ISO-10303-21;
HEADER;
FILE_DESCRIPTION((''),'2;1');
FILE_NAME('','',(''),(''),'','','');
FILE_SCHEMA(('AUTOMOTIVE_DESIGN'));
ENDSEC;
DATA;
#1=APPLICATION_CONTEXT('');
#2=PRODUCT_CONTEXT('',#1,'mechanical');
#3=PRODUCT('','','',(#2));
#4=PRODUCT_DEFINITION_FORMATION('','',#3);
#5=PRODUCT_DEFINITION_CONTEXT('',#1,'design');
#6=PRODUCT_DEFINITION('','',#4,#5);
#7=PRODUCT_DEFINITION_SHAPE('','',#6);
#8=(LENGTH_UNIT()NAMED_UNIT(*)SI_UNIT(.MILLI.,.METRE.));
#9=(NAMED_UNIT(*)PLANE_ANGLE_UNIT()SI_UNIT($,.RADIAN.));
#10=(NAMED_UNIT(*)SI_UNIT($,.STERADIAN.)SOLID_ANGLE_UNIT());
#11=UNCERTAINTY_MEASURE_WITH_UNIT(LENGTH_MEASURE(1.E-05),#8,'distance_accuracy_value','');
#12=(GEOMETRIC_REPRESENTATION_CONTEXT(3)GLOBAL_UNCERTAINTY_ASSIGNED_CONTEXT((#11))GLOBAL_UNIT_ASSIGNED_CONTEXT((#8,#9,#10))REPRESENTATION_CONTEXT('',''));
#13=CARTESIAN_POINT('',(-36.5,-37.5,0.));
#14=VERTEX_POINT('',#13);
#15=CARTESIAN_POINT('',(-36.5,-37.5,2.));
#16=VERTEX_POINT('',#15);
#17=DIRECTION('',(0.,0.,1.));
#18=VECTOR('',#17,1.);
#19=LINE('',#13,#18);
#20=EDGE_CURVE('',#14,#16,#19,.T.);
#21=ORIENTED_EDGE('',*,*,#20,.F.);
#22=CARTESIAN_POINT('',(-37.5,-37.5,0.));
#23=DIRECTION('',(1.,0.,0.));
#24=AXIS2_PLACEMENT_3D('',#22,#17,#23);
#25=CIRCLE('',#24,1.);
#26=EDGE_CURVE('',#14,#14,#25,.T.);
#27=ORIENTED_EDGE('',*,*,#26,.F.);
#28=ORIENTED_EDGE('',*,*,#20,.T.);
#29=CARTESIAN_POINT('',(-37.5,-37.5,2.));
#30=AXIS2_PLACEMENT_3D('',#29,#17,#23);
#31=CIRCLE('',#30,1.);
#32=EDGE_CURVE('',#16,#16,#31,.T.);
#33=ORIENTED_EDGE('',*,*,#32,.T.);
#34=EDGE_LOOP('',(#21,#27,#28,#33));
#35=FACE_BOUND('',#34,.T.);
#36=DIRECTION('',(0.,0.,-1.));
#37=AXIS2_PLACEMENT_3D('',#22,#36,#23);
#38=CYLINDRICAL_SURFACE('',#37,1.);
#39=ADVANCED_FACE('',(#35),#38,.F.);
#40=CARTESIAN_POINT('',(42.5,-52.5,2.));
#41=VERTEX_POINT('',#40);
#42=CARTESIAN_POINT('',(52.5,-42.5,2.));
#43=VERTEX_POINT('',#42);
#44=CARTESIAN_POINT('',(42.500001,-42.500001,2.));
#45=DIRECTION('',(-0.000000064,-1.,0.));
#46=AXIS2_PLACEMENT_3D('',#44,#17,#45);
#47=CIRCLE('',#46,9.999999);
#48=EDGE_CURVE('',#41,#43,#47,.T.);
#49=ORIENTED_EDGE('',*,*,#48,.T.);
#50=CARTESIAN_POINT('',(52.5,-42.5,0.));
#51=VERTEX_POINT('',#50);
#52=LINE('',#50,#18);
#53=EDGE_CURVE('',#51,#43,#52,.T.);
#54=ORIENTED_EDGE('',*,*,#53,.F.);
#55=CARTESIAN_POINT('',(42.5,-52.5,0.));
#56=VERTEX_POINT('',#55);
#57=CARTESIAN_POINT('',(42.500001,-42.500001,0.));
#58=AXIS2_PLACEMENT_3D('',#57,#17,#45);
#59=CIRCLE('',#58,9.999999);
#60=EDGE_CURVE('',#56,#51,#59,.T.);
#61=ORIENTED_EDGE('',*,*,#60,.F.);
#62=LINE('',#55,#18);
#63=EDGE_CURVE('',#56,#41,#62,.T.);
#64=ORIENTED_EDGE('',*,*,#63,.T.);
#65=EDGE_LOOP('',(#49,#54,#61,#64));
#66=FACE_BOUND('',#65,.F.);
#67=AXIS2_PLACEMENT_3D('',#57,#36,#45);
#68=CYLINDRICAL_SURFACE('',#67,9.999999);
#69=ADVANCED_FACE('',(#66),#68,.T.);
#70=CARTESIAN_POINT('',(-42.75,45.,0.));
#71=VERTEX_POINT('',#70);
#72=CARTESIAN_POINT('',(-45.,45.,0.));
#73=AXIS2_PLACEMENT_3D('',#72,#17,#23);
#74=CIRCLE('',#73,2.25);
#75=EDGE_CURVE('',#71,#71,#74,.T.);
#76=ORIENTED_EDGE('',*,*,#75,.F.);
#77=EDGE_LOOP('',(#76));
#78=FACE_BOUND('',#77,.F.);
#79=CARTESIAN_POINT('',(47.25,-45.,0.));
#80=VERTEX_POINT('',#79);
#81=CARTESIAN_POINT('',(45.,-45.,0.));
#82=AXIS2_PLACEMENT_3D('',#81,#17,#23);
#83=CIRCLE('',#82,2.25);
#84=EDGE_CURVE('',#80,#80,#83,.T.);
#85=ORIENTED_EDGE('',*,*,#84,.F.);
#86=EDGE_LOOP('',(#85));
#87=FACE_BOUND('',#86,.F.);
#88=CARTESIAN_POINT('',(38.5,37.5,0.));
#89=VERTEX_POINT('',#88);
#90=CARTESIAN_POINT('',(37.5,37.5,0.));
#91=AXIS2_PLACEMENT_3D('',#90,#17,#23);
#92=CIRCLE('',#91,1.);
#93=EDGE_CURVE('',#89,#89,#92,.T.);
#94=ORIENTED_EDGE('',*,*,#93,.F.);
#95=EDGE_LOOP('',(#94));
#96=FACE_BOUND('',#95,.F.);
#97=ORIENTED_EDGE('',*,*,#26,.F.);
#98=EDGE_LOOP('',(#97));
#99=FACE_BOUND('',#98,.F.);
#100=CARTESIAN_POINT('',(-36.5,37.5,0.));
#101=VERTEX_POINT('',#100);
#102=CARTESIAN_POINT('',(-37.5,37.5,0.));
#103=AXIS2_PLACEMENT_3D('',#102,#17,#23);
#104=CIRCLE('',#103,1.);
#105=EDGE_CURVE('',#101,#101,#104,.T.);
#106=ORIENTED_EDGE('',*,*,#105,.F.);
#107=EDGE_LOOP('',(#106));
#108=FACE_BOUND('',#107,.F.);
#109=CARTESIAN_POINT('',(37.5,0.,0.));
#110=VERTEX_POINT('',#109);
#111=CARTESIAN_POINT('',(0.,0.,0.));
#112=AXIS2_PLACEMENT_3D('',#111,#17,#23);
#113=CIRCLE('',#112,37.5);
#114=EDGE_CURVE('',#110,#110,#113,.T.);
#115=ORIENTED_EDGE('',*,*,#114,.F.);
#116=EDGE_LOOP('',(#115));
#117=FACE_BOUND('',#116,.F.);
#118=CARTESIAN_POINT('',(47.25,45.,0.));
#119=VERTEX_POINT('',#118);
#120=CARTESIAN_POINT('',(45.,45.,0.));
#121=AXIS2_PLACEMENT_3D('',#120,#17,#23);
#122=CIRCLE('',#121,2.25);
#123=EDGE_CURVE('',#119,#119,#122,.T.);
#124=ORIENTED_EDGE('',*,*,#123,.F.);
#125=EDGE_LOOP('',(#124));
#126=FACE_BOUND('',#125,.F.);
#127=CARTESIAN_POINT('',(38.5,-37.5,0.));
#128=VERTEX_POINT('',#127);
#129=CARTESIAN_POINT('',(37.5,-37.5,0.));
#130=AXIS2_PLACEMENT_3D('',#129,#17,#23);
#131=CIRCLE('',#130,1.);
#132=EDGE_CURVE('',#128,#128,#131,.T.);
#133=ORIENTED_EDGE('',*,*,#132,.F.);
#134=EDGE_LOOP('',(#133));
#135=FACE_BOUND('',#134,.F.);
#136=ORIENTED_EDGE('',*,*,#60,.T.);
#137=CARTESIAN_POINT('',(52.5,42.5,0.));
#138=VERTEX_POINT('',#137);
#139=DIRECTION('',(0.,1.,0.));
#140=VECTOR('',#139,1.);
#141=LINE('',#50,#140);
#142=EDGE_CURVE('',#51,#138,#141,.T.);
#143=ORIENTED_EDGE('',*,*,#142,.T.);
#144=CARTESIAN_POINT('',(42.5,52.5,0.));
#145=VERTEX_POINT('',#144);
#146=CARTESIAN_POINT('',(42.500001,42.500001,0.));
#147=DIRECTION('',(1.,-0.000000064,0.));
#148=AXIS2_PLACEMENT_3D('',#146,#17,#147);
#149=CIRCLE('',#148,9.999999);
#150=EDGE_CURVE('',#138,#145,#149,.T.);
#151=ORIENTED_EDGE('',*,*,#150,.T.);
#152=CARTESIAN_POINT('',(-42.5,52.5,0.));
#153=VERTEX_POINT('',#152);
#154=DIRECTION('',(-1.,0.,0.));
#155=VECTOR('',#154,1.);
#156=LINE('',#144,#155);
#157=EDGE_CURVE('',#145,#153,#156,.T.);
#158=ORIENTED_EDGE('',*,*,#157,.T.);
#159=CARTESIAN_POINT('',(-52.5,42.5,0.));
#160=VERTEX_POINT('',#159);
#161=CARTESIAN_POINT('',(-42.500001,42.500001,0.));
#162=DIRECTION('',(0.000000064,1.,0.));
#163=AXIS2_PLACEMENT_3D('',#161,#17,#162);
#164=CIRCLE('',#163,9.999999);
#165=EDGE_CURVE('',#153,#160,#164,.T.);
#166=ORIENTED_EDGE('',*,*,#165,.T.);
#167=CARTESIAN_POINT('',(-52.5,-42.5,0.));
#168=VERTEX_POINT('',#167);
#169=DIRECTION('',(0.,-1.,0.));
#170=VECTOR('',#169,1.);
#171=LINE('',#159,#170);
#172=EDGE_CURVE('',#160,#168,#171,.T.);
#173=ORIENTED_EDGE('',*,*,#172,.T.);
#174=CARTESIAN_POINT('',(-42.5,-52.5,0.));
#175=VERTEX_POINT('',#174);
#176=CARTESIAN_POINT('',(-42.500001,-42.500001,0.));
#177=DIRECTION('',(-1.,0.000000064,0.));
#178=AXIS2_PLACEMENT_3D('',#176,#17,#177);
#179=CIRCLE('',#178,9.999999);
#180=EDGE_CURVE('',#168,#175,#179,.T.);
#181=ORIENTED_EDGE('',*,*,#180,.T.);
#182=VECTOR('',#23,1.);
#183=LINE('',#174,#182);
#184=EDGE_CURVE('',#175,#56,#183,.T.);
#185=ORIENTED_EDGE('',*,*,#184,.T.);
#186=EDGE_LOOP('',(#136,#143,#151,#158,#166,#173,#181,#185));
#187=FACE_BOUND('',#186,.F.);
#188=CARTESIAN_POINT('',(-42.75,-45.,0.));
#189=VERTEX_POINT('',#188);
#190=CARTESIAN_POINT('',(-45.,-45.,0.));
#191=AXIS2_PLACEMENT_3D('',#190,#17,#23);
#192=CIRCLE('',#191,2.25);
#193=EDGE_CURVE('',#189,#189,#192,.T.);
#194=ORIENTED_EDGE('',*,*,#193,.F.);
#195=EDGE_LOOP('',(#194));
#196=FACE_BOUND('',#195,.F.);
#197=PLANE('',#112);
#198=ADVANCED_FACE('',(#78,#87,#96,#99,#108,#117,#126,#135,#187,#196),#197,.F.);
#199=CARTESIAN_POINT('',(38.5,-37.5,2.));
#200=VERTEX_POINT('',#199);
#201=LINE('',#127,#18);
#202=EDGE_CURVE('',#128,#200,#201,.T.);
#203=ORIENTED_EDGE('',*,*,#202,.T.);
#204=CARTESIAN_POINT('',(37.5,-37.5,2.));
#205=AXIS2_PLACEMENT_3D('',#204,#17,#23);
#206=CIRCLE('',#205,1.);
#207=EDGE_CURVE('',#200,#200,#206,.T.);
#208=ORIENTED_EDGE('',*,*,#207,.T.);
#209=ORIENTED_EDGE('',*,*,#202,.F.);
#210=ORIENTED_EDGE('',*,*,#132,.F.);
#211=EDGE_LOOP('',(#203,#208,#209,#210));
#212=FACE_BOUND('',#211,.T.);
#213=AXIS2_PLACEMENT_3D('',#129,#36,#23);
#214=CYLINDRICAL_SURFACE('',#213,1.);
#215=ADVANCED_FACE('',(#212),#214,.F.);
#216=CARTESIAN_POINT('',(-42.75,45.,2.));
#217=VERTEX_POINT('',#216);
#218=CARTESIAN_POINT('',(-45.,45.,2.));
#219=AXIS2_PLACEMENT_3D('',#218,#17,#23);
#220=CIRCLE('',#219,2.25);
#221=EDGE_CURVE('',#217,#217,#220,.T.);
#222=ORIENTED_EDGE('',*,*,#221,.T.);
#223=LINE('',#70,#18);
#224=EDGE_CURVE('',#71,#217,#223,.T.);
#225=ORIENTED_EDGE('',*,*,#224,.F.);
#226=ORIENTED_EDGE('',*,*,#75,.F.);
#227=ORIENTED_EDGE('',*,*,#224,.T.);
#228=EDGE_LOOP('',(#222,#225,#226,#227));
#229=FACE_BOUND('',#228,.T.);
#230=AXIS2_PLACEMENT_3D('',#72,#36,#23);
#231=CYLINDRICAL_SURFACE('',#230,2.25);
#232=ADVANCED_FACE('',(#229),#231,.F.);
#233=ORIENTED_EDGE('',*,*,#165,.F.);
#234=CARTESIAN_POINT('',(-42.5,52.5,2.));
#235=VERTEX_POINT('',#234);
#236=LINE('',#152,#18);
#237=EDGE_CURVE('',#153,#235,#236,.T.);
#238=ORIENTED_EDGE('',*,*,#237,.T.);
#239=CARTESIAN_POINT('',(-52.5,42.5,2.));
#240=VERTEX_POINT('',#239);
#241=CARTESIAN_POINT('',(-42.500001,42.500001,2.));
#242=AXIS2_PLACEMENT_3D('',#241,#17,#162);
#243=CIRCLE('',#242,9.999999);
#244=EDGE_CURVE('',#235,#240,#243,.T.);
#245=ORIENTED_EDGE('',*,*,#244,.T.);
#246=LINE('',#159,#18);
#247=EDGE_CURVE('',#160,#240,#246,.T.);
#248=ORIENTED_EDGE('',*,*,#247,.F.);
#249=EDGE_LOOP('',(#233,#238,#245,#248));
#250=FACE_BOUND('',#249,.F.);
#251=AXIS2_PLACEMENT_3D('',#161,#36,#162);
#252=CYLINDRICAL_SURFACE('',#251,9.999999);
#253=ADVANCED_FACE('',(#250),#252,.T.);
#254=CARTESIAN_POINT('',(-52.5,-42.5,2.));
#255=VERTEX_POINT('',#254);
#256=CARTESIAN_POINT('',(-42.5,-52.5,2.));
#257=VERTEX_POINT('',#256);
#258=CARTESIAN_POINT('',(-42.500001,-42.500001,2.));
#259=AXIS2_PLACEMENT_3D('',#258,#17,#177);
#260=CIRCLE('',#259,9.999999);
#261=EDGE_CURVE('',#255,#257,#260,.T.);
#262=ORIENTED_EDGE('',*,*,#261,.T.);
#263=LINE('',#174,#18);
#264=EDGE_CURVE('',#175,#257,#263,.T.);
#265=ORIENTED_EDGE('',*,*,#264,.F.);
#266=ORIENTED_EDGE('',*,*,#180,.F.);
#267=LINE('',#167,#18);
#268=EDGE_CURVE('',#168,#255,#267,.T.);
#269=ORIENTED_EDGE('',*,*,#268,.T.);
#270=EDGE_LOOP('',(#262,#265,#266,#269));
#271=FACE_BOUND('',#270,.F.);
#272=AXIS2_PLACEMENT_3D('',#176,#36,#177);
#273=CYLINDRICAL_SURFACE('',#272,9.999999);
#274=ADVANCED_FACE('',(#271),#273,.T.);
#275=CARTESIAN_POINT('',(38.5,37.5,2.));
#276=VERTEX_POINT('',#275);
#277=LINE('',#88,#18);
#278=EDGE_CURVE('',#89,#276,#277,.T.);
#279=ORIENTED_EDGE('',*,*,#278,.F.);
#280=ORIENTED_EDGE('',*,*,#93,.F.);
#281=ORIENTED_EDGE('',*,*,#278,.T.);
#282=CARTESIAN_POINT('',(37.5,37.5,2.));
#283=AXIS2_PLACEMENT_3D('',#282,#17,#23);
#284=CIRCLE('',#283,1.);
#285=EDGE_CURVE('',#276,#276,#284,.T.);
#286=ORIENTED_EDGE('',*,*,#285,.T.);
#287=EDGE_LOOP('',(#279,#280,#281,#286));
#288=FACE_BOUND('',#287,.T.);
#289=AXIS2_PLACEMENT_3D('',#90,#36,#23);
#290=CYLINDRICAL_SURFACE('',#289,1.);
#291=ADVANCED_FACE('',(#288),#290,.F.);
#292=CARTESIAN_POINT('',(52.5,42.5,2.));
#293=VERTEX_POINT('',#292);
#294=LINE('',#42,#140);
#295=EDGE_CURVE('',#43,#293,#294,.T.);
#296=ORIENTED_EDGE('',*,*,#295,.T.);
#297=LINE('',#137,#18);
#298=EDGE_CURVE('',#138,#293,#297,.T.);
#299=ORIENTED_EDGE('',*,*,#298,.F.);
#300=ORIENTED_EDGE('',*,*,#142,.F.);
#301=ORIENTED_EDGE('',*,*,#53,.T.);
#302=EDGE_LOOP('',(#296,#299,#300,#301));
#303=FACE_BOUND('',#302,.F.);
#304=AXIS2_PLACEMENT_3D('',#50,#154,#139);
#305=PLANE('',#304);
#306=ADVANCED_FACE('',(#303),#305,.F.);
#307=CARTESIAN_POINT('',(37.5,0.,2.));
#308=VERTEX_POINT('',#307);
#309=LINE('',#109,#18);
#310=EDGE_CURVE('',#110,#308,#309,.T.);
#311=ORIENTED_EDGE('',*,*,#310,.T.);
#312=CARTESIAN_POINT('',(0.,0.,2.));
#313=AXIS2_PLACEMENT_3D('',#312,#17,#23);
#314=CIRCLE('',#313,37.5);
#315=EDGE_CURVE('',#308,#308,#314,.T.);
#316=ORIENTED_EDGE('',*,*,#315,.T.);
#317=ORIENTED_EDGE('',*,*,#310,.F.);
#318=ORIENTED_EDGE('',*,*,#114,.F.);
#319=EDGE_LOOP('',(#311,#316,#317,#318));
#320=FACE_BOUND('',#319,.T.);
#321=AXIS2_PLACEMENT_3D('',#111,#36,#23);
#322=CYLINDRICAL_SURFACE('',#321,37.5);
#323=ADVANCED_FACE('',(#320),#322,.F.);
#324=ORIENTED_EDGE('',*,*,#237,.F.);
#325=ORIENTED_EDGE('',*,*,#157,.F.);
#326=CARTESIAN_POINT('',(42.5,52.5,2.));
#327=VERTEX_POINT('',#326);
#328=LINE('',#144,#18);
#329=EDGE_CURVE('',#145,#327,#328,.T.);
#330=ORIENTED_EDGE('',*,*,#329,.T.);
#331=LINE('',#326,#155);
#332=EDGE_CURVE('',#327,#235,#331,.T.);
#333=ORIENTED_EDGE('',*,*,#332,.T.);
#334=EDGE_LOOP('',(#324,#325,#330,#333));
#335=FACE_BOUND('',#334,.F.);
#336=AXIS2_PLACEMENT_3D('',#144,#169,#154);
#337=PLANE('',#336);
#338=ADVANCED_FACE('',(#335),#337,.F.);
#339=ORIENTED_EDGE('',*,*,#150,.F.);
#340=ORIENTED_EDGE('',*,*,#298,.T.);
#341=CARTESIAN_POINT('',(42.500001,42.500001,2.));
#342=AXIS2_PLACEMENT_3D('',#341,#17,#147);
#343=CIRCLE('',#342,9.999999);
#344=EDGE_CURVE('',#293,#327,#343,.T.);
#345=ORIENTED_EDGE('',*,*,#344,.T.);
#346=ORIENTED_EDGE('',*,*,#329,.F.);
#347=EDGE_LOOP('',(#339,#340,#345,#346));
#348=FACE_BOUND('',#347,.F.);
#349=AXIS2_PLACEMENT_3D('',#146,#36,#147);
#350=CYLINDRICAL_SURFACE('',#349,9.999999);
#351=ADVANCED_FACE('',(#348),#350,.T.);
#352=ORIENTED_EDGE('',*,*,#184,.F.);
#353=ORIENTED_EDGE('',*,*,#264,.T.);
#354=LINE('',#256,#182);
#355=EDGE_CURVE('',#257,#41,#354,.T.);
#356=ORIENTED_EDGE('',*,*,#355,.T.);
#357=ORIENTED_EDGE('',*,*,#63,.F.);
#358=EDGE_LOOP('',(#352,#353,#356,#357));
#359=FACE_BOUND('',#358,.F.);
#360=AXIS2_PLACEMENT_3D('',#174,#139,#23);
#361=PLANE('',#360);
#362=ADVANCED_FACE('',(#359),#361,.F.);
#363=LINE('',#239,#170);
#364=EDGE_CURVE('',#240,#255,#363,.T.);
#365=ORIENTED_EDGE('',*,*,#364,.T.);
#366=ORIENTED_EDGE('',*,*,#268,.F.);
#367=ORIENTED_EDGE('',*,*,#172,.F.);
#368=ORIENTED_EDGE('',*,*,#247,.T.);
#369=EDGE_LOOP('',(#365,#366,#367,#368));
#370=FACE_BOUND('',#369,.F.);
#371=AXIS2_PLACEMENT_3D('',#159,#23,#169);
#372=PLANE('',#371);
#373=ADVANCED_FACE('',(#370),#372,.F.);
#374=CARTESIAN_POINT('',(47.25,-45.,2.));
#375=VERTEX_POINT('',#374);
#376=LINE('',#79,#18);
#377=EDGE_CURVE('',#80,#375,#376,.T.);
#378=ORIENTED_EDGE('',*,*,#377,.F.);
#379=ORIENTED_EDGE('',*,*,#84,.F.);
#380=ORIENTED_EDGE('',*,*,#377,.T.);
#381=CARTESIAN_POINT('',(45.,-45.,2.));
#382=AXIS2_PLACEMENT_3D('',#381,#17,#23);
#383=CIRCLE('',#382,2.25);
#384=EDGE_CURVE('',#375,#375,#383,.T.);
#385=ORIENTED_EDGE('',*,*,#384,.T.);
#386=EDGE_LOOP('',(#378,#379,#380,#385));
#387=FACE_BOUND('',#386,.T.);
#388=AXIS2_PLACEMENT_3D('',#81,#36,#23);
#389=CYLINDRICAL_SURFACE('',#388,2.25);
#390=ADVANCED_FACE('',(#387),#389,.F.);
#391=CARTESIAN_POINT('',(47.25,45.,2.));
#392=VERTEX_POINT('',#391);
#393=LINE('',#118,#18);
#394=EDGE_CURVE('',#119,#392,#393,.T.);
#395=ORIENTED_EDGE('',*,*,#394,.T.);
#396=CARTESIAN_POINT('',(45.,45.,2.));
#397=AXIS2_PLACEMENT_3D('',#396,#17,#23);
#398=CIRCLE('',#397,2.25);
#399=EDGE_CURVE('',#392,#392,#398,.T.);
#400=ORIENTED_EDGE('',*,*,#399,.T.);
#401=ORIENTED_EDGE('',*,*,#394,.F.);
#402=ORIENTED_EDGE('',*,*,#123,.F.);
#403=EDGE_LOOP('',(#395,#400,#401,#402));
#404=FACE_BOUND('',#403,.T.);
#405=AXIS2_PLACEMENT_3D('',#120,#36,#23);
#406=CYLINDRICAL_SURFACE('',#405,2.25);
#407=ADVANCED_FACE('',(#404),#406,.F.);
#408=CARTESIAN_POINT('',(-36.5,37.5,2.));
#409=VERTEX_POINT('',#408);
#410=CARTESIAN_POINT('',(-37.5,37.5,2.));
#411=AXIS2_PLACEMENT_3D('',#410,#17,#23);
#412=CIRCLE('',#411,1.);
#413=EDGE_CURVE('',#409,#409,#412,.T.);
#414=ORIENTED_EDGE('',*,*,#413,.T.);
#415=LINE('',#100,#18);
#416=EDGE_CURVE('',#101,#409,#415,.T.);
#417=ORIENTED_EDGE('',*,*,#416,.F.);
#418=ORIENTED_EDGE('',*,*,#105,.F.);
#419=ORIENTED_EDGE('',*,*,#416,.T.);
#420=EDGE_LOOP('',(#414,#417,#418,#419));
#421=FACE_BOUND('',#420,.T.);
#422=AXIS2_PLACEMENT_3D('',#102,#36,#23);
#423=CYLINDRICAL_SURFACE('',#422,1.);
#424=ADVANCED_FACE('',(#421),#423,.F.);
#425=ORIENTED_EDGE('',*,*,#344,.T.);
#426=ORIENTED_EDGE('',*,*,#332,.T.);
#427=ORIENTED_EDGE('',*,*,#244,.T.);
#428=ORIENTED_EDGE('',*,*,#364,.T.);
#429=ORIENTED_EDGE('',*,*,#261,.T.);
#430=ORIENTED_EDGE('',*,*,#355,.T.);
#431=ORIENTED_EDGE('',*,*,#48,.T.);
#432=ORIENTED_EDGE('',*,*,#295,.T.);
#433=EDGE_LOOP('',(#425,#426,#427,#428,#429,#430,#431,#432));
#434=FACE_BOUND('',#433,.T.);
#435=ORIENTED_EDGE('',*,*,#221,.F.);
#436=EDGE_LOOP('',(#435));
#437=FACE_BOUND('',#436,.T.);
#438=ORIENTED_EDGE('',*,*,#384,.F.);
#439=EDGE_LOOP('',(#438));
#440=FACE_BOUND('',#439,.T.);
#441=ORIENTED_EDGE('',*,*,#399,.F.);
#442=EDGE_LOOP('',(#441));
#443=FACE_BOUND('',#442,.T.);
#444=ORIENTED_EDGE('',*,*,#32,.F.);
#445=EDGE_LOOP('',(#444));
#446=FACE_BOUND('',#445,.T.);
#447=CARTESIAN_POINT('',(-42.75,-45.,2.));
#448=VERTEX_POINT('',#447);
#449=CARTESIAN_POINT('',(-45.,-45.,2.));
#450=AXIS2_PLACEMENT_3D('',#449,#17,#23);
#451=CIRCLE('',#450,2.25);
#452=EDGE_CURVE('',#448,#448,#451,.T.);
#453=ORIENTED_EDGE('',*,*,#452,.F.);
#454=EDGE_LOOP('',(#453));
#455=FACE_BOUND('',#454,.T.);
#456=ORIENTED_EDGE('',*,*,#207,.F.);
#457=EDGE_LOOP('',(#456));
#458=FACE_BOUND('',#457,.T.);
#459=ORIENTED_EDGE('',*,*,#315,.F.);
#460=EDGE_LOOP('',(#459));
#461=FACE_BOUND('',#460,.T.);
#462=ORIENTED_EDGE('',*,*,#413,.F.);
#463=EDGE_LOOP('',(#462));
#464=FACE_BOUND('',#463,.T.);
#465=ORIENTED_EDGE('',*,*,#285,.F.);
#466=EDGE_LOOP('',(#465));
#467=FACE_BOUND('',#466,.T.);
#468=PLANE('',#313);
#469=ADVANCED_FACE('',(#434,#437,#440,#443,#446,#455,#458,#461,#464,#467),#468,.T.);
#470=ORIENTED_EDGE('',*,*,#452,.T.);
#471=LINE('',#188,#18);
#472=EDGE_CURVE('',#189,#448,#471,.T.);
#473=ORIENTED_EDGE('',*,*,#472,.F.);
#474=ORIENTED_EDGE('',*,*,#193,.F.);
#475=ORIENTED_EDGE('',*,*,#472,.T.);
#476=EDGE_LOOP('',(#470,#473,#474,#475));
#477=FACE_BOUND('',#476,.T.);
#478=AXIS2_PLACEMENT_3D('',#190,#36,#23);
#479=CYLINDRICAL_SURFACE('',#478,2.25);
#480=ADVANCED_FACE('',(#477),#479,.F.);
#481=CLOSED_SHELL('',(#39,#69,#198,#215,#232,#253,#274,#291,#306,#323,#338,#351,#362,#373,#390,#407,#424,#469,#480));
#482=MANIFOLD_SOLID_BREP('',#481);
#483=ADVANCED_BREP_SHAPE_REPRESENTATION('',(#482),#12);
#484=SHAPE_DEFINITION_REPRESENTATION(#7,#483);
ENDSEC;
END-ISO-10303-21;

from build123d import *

# Parameters (mm, degrees)
F0_R     = 2.25
F0_R_2   = 1
F0_R_3   = 37.5
F1_DEPTH = 2


with BuildPart() as f1:
    # F0 (on Top) → F1 (new body)
    with BuildSketch(Plane.XY):
        with BuildLine():
            Line((42.5, 52.5), (-42.5, 52.5))
            ThreePointArc((-42.5, 52.5), (-49.571068, 49.571068), (-52.5, 42.5))
            Line((-52.5, 42.5), (-52.5, -42.5))
            ThreePointArc((-52.5, -42.5), (-49.571068, -49.571068), (-42.5, -52.5))
            Line((-42.5, -52.5), (42.5, -52.5))
            ThreePointArc((42.5, -52.5), (49.571068, -49.571068), (52.5, -42.5))
            Line((52.5, -42.5), (52.5, 42.5))
            ThreePointArc((52.5, 42.5), (49.571068, 49.571068), (42.5, 52.5))
        make_face()
        with Locations((-45, -45)):
            Circle(F0_R, mode=Mode.SUBTRACT)
        with Locations((-37.5, -37.5)):
            Circle(F0_R_2, mode=Mode.SUBTRACT)
        with Locations((45, -45)):
            Circle(F0_R, mode=Mode.SUBTRACT)
        with Locations((37.5, -37.5)):
            Circle(F0_R_2, mode=Mode.SUBTRACT)
        with Locations((-37.5, 37.5)):
            Circle(F0_R_2, mode=Mode.SUBTRACT)
        with Locations((-45, 45)):
            Circle(F0_R, mode=Mode.SUBTRACT)
        Circle(F0_R_3, mode=Mode.SUBTRACT)
        with Locations((37.5, 37.5)):
            Circle(F0_R_2, mode=Mode.SUBTRACT)
        with Locations((45, 45)):
            Circle(F0_R, mode=Mode.SUBTRACT)
    extrude(amount=F1_DEPTH)


solid = f1.part
